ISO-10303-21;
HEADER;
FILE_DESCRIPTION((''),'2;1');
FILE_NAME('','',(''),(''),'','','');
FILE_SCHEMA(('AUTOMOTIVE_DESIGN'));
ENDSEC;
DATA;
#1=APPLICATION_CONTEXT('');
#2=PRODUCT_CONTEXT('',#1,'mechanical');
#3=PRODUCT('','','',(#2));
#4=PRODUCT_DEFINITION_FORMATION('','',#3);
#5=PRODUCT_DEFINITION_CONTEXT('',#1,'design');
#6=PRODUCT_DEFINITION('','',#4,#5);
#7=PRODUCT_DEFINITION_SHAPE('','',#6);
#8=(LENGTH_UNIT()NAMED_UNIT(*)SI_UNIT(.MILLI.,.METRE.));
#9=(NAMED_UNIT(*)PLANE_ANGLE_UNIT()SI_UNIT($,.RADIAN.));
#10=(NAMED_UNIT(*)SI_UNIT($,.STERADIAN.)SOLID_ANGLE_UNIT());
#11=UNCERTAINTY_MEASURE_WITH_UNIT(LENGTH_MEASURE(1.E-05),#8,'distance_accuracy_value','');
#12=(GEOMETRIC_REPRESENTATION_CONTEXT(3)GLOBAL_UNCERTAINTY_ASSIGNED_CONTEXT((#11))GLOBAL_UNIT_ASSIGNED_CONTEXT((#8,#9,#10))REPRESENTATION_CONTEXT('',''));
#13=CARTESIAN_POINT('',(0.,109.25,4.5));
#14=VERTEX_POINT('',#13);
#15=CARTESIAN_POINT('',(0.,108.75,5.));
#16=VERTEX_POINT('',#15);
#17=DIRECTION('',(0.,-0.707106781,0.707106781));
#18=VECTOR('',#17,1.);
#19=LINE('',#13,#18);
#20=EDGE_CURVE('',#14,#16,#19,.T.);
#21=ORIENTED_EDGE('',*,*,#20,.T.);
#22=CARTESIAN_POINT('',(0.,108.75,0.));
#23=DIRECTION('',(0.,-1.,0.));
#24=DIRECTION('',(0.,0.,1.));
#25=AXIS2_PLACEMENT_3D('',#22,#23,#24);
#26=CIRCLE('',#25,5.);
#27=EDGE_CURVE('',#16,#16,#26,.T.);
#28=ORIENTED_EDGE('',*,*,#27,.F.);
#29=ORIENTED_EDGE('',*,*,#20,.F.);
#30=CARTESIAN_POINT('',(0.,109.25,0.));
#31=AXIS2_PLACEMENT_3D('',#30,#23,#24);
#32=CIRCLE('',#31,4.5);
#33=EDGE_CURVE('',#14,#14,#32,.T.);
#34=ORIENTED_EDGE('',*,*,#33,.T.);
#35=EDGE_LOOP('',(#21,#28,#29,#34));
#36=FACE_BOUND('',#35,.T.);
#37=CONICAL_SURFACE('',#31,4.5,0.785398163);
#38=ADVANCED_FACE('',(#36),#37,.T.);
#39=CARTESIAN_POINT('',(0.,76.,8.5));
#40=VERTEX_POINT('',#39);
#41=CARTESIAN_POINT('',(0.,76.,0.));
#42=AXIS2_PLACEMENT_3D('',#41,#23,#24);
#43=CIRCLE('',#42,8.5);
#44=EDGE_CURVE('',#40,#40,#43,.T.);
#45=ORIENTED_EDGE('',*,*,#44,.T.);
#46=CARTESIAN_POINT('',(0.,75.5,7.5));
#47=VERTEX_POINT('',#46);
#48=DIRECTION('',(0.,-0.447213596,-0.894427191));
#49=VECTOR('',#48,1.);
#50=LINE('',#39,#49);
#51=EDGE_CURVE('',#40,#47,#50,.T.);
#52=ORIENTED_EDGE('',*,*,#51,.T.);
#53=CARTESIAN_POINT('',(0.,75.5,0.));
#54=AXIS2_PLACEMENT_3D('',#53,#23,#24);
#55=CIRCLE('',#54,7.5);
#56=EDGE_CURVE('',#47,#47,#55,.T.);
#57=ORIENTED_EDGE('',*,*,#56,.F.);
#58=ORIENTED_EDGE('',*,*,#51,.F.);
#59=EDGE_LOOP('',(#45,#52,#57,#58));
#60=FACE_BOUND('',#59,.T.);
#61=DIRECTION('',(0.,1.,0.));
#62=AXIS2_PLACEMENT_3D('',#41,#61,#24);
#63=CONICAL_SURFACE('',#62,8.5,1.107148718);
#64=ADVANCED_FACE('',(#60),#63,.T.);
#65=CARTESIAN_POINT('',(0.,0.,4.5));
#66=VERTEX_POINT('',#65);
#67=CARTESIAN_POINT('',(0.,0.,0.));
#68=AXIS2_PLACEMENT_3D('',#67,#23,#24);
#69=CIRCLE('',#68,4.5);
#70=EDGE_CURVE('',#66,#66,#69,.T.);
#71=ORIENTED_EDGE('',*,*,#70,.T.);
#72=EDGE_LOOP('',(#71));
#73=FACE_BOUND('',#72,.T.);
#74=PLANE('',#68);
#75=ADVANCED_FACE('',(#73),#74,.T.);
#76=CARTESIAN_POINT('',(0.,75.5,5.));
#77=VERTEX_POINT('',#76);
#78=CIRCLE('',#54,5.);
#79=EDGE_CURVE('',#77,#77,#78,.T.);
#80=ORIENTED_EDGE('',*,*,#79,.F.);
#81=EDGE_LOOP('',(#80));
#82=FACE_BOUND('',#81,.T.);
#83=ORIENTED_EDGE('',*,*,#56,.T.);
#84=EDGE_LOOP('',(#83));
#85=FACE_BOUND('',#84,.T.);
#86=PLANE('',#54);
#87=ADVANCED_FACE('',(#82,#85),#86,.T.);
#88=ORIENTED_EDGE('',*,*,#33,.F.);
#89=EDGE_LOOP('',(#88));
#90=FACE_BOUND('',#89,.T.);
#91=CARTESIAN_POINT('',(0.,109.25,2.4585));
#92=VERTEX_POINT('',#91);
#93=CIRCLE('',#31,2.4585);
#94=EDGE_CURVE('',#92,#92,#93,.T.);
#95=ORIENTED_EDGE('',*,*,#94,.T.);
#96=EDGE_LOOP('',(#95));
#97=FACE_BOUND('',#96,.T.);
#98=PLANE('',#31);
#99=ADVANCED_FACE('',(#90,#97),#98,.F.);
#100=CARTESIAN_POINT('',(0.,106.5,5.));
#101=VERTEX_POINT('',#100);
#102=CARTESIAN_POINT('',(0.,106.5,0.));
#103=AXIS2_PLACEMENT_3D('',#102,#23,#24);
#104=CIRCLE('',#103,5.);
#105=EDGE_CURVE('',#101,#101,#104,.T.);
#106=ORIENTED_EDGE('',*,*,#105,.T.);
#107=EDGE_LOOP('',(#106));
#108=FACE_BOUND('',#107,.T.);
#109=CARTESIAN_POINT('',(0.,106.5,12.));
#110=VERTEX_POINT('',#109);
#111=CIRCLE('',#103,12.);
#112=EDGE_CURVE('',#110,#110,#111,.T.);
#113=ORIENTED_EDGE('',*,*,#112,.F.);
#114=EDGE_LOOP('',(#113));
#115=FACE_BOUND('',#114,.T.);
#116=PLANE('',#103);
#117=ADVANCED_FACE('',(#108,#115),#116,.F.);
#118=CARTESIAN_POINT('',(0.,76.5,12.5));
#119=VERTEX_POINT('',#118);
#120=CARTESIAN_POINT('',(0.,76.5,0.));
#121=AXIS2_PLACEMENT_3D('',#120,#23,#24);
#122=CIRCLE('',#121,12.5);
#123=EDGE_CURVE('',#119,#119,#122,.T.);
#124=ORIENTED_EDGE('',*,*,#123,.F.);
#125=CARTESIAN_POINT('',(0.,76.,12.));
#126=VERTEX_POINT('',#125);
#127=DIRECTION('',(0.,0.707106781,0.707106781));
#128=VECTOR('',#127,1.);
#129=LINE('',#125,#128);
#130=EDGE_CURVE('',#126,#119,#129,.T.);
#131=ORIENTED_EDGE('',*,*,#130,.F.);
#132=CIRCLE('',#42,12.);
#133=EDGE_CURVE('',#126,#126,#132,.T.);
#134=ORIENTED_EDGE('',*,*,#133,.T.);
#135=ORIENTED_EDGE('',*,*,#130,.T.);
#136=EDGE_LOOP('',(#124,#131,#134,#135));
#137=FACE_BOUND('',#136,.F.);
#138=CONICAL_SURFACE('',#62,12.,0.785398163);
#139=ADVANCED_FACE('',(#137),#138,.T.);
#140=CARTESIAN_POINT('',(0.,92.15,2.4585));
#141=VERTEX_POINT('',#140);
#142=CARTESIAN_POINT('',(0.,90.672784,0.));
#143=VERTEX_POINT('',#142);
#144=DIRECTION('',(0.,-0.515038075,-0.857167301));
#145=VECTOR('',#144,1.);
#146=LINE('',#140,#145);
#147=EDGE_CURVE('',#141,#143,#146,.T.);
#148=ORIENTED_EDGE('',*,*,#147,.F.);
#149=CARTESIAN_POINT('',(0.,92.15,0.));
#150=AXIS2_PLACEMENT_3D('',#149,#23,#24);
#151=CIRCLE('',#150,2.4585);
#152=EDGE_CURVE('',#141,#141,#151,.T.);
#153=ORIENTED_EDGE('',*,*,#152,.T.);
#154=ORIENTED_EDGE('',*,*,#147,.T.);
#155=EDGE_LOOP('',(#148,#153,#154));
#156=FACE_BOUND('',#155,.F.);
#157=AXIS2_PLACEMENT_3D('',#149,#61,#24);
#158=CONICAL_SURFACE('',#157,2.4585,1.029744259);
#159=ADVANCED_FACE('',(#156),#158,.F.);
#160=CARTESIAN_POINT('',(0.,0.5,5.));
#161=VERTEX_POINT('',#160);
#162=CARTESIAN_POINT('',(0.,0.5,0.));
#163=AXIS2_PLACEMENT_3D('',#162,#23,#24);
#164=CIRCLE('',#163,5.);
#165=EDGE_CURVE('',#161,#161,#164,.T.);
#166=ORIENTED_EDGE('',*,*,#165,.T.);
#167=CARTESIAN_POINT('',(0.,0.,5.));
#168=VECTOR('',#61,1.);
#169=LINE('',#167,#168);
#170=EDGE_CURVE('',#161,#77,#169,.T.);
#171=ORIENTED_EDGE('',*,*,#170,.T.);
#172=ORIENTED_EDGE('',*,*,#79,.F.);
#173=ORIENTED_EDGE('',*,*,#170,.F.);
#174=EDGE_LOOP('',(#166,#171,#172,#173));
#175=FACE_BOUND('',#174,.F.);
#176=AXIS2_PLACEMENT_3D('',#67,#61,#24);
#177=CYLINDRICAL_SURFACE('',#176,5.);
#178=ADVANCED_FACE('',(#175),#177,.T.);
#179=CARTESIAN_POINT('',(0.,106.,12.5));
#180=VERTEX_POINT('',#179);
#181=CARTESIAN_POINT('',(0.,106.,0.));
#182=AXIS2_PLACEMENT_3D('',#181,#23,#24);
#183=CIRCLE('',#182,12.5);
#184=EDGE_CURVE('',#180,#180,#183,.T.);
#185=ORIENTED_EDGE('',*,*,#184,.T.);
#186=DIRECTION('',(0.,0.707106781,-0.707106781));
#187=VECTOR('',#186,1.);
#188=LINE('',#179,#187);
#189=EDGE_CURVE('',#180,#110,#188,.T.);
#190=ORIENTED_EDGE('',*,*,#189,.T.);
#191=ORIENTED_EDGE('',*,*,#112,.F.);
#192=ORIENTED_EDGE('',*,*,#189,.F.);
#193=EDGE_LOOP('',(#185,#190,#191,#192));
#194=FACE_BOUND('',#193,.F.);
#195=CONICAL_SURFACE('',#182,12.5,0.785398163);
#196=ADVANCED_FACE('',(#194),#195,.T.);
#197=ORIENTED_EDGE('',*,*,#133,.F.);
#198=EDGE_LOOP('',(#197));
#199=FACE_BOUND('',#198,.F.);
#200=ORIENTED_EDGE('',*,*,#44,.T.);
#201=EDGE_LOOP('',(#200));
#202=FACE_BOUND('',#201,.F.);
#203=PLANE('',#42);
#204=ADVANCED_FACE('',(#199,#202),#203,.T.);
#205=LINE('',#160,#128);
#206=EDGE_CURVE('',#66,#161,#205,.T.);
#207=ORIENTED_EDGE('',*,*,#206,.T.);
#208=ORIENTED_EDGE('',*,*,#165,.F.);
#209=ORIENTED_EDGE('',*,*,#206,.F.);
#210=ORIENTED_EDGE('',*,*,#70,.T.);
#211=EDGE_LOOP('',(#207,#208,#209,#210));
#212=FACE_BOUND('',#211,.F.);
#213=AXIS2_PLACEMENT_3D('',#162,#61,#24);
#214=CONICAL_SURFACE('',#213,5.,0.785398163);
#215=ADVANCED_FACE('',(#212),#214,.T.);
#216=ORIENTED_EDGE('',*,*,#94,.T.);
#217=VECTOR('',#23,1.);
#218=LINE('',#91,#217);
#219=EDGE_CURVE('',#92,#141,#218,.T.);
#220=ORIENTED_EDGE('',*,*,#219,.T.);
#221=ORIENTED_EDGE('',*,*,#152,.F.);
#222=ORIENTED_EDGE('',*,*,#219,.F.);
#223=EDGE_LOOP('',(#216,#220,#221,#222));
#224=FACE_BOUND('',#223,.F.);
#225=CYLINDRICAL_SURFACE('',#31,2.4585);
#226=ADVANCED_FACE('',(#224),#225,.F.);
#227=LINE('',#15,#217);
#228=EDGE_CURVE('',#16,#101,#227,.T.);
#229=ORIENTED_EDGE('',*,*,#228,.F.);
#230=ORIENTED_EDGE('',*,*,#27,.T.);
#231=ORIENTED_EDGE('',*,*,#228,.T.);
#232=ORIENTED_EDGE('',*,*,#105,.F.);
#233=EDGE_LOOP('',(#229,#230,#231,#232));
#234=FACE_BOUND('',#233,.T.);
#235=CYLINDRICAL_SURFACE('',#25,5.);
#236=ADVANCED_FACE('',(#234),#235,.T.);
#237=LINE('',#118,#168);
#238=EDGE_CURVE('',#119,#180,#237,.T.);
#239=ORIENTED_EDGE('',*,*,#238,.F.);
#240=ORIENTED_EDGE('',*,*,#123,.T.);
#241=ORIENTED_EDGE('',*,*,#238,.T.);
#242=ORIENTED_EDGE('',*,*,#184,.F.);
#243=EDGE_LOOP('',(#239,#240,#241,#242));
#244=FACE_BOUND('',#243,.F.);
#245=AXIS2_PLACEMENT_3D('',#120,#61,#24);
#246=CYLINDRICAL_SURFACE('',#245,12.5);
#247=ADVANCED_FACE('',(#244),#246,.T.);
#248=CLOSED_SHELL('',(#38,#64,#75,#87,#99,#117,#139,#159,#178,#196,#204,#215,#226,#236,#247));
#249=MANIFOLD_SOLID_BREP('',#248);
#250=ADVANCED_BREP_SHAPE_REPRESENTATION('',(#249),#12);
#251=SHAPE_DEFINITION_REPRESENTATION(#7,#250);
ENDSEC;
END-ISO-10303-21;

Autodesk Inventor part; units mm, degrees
ref_plane "YZ Plane" through (0, 0, 0) normal (1, 0, 0) x (0, 1, 0)
ref_plane "XZ Plane" through (0, 0, 0) normal (0, 1, 0) x (-1, 0, 0)
ref_plane "XY Plane" through (0, 0, 0) normal (0, 0, 1) x (1, 0, 0)
sketch "Esquisse1" plane through (0, 0, 0) normal (1, 0, 0) x (0, 1, 0)
  line L0 (2.5227, 0) -> (-2.5227, 0)
  line L1 (0, 5) -> (75.5, 5)
  line L2 (76, 8.5) -> (76, 12)
  line L3 (76, 12) -> (76.5, 12.5)
  line L4 (76.5, 12.5) -> (106, 12.5)
  line L5 (0, 5) -> (0, 0)
  line L6 (0, 0) -> (109.25, 0)
  line L7 (106.5, 5) -> (106.5, 12)
  line L8 (106, 12.5) -> (106.5, 12)
  line L9 (76, 8.5) -> (75.5, 7.5)
  line L10 (75.5, 7.5) -> (75.5, 5)
  line L11 (109.25, 0) -> (109.25, 4.5)
  line L12 (109.25, 4.5) -> (108.75, 5)
  line L13 (108.75, 5) -> (106.5, 5)
  dimension "d2" = 0.5
  dimension "d3" = 0.5
  dimension "d6" = 10
  dimension "d7" = 76
  dimension "d8" = 25
  dimension "d9" = 0.5
  dimension "d10" = 0.5
  dimension "d11" = 30.5
  dimension "d13" = 1
  dimension "d14" = 0.5
  dimension "d15" = 17
  dimension "d23" = 0.5
  dimension "d24" = 0.5
  dimension "d25" = 10
  dimension "d26" = 2.75
revolve "Révolution1" add sketch "Esquisse1" angle 360 about axis through (0, 2.5227, 0) along (0, -1, 0)
thread "Filetage2" size "M10x1.5" class "6g" standard "ISO Metric profile" length 20
chamfer "Chanfrein1" distance 0.5 angle 45 1 edges at (0, 0, -5)
sketch "Esquisse4" plane through (0, 109.25, 0) normal (0, 1, 0) x (1, 0, 0)
  circle A0 centre (0, 0) radius 4.5 projected
  point P0 (0, 0)
hole "Perçage2" at (0, 109.25, 0) direction (0, -1, 0) diameter 4.917 depth 17.1 tip angle 118 thread size "M6x1" class "6H" standard "ISO Metric profile"
equation "\"d3\" = d2"
equation "\"d10\" = d9"
equation "\"d24\" = d23"
properties part number "axe_rotation_principal"
